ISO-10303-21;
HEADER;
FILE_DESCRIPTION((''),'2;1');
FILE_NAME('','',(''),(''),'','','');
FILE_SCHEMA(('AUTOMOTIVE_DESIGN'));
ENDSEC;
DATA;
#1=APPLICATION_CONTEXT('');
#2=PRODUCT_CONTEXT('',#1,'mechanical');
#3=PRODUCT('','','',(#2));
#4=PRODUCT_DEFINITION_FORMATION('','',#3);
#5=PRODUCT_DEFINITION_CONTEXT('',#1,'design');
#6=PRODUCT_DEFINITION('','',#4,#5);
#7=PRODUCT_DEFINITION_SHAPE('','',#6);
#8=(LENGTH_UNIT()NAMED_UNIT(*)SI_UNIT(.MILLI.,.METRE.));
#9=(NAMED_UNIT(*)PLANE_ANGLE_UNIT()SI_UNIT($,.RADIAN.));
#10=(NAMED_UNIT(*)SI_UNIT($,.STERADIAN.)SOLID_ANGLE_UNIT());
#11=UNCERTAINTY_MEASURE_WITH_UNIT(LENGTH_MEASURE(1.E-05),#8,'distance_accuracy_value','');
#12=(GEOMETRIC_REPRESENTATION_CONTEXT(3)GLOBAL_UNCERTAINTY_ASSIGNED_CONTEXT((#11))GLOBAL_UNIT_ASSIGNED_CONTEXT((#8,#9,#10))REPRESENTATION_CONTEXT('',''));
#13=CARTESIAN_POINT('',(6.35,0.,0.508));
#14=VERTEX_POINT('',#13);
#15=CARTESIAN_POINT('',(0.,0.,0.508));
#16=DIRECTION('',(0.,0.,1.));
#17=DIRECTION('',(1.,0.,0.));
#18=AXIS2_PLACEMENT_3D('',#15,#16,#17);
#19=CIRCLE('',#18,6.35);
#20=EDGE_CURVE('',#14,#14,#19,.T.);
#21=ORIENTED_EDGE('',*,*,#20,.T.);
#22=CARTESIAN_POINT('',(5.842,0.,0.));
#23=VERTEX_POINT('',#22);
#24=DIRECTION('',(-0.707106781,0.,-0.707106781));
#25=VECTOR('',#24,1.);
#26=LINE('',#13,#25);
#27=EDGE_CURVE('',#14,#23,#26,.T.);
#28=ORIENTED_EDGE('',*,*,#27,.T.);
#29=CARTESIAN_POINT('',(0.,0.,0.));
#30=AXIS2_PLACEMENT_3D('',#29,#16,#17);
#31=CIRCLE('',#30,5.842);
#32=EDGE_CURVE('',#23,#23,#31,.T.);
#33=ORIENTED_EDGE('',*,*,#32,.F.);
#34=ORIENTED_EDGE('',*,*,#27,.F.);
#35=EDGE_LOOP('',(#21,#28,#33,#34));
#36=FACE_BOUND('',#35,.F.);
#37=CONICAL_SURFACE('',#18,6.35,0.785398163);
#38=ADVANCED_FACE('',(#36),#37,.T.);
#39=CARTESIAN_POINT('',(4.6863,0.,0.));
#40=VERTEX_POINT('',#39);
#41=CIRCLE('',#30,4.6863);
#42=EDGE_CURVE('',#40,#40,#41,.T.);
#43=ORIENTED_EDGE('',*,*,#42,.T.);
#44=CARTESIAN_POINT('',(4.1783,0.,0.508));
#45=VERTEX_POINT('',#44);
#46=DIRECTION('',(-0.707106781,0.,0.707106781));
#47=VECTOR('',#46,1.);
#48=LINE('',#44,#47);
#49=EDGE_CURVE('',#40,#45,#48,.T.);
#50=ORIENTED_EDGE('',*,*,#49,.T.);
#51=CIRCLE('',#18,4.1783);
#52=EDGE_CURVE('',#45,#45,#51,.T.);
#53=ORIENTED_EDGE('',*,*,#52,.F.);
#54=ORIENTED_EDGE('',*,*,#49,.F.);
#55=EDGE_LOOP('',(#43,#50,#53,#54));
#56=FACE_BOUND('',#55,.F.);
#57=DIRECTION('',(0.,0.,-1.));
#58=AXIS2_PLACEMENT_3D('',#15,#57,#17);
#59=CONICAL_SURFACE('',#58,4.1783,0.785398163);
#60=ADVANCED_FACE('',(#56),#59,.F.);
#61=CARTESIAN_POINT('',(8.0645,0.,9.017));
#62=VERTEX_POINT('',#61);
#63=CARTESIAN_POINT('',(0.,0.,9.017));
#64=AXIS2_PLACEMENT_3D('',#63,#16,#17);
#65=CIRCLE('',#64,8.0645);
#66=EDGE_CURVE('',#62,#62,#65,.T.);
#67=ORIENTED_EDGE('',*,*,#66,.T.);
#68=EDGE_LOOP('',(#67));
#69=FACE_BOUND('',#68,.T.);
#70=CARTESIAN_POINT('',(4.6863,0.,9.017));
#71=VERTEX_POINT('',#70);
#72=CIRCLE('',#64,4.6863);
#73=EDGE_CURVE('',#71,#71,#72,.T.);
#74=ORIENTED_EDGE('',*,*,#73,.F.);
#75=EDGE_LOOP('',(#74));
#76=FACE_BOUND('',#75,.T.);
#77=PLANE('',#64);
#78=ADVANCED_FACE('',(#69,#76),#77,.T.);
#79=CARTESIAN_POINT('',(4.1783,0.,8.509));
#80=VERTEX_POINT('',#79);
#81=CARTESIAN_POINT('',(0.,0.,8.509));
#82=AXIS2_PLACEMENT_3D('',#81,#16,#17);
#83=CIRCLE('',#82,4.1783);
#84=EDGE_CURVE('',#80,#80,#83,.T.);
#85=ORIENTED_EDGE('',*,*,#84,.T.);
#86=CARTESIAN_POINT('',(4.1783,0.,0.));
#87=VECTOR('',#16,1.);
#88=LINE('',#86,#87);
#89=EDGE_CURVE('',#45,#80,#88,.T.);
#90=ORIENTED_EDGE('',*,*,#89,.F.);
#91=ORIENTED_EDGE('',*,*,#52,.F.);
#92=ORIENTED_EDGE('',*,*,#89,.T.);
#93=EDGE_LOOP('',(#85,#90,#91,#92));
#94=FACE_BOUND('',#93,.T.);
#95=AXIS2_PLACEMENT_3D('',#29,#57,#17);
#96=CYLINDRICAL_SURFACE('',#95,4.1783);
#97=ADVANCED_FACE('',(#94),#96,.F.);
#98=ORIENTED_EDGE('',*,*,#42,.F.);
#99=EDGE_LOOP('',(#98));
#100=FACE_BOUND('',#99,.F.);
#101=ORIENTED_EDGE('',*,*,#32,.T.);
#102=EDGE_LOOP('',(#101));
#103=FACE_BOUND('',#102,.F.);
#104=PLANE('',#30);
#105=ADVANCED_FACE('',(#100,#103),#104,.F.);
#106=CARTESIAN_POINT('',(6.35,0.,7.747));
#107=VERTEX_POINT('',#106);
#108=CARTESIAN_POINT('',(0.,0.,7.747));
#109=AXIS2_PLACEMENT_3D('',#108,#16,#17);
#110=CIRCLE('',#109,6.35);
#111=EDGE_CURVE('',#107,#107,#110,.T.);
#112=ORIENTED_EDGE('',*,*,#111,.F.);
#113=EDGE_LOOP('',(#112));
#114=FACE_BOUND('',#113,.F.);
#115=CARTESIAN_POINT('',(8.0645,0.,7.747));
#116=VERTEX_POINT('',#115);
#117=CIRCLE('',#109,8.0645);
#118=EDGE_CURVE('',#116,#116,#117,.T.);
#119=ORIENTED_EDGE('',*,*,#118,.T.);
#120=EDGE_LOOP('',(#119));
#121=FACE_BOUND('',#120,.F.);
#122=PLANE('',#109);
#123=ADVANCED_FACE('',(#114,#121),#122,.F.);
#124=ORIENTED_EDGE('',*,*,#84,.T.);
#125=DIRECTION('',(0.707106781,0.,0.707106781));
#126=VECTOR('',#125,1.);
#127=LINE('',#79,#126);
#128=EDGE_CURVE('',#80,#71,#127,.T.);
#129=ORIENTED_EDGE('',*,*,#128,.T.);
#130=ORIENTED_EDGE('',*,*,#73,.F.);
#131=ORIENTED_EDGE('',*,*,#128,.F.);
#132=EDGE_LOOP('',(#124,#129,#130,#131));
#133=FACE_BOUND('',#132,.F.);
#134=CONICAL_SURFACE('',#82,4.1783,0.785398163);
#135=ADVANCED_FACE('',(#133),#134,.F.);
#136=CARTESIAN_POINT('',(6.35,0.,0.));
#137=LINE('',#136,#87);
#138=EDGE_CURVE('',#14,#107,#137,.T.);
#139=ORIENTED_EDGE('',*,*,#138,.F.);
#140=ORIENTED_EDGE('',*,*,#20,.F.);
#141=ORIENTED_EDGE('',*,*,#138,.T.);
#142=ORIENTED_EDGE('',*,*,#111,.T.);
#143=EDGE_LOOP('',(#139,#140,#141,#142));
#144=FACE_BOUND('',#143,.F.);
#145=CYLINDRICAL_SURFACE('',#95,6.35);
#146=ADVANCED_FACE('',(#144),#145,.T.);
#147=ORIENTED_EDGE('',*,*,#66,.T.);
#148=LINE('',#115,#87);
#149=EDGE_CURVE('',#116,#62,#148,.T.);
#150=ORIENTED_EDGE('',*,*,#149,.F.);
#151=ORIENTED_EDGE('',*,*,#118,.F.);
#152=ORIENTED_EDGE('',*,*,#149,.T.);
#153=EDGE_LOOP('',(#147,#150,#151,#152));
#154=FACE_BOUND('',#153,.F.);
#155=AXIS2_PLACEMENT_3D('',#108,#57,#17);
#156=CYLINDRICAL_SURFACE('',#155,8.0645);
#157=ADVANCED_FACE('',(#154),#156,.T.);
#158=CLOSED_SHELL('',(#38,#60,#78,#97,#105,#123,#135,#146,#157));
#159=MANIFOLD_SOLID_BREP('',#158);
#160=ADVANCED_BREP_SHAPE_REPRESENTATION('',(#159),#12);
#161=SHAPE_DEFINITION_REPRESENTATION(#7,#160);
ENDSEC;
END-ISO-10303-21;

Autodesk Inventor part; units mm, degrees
ref_plane "YZ Plane" through (0, 0, 0) normal (1, 0, 0) x (0, 1, 0)
ref_plane "XZ Plane" through (0, 0, 0) normal (0, 1, 0) x (-1, 0, 0)
ref_plane "XY Plane" through (0, 0, 0) normal (0, 0, 1) x (1, 0, 0)
sketch "Sketch1" plane through (0, 0, 0) normal (0, 0, 1) x (1, 0, 0)
  point P0 (0, 0)
sketch "Sketch2" plane through (0, 0, 0) normal (0, 0, 1) x (1, 0, 0)
  circle A0 centre (0, 0) radius 6.35
  circle A1 centre (0, 0) radius 4.1783
  dimension "d0" = 8.3566
  dimension "d1" = 12.7
extrude "Extrusion1" add sketch "Sketch2" along normal blind 7.747
sketch "Sketch3" plane through (0, 0, 7.747) normal (0, 0, 1) x (1, 0, 0)
  circle A0 centre (0, 0) radius 4.1783 projected
  circle A1 centre (0, 0) radius 8.0645
  dimension "d4" = 16.129
extrude "Extrusion2" add sketch "Sketch3" along normal blind 1.27
chamfer "Chamfer1" distance 0.508 angle 45 3 edges at (-4.1783, 0, 0) (-6.35, 0, 0) (-4.1783, 0, 9.017)
properties part number "robotics"
